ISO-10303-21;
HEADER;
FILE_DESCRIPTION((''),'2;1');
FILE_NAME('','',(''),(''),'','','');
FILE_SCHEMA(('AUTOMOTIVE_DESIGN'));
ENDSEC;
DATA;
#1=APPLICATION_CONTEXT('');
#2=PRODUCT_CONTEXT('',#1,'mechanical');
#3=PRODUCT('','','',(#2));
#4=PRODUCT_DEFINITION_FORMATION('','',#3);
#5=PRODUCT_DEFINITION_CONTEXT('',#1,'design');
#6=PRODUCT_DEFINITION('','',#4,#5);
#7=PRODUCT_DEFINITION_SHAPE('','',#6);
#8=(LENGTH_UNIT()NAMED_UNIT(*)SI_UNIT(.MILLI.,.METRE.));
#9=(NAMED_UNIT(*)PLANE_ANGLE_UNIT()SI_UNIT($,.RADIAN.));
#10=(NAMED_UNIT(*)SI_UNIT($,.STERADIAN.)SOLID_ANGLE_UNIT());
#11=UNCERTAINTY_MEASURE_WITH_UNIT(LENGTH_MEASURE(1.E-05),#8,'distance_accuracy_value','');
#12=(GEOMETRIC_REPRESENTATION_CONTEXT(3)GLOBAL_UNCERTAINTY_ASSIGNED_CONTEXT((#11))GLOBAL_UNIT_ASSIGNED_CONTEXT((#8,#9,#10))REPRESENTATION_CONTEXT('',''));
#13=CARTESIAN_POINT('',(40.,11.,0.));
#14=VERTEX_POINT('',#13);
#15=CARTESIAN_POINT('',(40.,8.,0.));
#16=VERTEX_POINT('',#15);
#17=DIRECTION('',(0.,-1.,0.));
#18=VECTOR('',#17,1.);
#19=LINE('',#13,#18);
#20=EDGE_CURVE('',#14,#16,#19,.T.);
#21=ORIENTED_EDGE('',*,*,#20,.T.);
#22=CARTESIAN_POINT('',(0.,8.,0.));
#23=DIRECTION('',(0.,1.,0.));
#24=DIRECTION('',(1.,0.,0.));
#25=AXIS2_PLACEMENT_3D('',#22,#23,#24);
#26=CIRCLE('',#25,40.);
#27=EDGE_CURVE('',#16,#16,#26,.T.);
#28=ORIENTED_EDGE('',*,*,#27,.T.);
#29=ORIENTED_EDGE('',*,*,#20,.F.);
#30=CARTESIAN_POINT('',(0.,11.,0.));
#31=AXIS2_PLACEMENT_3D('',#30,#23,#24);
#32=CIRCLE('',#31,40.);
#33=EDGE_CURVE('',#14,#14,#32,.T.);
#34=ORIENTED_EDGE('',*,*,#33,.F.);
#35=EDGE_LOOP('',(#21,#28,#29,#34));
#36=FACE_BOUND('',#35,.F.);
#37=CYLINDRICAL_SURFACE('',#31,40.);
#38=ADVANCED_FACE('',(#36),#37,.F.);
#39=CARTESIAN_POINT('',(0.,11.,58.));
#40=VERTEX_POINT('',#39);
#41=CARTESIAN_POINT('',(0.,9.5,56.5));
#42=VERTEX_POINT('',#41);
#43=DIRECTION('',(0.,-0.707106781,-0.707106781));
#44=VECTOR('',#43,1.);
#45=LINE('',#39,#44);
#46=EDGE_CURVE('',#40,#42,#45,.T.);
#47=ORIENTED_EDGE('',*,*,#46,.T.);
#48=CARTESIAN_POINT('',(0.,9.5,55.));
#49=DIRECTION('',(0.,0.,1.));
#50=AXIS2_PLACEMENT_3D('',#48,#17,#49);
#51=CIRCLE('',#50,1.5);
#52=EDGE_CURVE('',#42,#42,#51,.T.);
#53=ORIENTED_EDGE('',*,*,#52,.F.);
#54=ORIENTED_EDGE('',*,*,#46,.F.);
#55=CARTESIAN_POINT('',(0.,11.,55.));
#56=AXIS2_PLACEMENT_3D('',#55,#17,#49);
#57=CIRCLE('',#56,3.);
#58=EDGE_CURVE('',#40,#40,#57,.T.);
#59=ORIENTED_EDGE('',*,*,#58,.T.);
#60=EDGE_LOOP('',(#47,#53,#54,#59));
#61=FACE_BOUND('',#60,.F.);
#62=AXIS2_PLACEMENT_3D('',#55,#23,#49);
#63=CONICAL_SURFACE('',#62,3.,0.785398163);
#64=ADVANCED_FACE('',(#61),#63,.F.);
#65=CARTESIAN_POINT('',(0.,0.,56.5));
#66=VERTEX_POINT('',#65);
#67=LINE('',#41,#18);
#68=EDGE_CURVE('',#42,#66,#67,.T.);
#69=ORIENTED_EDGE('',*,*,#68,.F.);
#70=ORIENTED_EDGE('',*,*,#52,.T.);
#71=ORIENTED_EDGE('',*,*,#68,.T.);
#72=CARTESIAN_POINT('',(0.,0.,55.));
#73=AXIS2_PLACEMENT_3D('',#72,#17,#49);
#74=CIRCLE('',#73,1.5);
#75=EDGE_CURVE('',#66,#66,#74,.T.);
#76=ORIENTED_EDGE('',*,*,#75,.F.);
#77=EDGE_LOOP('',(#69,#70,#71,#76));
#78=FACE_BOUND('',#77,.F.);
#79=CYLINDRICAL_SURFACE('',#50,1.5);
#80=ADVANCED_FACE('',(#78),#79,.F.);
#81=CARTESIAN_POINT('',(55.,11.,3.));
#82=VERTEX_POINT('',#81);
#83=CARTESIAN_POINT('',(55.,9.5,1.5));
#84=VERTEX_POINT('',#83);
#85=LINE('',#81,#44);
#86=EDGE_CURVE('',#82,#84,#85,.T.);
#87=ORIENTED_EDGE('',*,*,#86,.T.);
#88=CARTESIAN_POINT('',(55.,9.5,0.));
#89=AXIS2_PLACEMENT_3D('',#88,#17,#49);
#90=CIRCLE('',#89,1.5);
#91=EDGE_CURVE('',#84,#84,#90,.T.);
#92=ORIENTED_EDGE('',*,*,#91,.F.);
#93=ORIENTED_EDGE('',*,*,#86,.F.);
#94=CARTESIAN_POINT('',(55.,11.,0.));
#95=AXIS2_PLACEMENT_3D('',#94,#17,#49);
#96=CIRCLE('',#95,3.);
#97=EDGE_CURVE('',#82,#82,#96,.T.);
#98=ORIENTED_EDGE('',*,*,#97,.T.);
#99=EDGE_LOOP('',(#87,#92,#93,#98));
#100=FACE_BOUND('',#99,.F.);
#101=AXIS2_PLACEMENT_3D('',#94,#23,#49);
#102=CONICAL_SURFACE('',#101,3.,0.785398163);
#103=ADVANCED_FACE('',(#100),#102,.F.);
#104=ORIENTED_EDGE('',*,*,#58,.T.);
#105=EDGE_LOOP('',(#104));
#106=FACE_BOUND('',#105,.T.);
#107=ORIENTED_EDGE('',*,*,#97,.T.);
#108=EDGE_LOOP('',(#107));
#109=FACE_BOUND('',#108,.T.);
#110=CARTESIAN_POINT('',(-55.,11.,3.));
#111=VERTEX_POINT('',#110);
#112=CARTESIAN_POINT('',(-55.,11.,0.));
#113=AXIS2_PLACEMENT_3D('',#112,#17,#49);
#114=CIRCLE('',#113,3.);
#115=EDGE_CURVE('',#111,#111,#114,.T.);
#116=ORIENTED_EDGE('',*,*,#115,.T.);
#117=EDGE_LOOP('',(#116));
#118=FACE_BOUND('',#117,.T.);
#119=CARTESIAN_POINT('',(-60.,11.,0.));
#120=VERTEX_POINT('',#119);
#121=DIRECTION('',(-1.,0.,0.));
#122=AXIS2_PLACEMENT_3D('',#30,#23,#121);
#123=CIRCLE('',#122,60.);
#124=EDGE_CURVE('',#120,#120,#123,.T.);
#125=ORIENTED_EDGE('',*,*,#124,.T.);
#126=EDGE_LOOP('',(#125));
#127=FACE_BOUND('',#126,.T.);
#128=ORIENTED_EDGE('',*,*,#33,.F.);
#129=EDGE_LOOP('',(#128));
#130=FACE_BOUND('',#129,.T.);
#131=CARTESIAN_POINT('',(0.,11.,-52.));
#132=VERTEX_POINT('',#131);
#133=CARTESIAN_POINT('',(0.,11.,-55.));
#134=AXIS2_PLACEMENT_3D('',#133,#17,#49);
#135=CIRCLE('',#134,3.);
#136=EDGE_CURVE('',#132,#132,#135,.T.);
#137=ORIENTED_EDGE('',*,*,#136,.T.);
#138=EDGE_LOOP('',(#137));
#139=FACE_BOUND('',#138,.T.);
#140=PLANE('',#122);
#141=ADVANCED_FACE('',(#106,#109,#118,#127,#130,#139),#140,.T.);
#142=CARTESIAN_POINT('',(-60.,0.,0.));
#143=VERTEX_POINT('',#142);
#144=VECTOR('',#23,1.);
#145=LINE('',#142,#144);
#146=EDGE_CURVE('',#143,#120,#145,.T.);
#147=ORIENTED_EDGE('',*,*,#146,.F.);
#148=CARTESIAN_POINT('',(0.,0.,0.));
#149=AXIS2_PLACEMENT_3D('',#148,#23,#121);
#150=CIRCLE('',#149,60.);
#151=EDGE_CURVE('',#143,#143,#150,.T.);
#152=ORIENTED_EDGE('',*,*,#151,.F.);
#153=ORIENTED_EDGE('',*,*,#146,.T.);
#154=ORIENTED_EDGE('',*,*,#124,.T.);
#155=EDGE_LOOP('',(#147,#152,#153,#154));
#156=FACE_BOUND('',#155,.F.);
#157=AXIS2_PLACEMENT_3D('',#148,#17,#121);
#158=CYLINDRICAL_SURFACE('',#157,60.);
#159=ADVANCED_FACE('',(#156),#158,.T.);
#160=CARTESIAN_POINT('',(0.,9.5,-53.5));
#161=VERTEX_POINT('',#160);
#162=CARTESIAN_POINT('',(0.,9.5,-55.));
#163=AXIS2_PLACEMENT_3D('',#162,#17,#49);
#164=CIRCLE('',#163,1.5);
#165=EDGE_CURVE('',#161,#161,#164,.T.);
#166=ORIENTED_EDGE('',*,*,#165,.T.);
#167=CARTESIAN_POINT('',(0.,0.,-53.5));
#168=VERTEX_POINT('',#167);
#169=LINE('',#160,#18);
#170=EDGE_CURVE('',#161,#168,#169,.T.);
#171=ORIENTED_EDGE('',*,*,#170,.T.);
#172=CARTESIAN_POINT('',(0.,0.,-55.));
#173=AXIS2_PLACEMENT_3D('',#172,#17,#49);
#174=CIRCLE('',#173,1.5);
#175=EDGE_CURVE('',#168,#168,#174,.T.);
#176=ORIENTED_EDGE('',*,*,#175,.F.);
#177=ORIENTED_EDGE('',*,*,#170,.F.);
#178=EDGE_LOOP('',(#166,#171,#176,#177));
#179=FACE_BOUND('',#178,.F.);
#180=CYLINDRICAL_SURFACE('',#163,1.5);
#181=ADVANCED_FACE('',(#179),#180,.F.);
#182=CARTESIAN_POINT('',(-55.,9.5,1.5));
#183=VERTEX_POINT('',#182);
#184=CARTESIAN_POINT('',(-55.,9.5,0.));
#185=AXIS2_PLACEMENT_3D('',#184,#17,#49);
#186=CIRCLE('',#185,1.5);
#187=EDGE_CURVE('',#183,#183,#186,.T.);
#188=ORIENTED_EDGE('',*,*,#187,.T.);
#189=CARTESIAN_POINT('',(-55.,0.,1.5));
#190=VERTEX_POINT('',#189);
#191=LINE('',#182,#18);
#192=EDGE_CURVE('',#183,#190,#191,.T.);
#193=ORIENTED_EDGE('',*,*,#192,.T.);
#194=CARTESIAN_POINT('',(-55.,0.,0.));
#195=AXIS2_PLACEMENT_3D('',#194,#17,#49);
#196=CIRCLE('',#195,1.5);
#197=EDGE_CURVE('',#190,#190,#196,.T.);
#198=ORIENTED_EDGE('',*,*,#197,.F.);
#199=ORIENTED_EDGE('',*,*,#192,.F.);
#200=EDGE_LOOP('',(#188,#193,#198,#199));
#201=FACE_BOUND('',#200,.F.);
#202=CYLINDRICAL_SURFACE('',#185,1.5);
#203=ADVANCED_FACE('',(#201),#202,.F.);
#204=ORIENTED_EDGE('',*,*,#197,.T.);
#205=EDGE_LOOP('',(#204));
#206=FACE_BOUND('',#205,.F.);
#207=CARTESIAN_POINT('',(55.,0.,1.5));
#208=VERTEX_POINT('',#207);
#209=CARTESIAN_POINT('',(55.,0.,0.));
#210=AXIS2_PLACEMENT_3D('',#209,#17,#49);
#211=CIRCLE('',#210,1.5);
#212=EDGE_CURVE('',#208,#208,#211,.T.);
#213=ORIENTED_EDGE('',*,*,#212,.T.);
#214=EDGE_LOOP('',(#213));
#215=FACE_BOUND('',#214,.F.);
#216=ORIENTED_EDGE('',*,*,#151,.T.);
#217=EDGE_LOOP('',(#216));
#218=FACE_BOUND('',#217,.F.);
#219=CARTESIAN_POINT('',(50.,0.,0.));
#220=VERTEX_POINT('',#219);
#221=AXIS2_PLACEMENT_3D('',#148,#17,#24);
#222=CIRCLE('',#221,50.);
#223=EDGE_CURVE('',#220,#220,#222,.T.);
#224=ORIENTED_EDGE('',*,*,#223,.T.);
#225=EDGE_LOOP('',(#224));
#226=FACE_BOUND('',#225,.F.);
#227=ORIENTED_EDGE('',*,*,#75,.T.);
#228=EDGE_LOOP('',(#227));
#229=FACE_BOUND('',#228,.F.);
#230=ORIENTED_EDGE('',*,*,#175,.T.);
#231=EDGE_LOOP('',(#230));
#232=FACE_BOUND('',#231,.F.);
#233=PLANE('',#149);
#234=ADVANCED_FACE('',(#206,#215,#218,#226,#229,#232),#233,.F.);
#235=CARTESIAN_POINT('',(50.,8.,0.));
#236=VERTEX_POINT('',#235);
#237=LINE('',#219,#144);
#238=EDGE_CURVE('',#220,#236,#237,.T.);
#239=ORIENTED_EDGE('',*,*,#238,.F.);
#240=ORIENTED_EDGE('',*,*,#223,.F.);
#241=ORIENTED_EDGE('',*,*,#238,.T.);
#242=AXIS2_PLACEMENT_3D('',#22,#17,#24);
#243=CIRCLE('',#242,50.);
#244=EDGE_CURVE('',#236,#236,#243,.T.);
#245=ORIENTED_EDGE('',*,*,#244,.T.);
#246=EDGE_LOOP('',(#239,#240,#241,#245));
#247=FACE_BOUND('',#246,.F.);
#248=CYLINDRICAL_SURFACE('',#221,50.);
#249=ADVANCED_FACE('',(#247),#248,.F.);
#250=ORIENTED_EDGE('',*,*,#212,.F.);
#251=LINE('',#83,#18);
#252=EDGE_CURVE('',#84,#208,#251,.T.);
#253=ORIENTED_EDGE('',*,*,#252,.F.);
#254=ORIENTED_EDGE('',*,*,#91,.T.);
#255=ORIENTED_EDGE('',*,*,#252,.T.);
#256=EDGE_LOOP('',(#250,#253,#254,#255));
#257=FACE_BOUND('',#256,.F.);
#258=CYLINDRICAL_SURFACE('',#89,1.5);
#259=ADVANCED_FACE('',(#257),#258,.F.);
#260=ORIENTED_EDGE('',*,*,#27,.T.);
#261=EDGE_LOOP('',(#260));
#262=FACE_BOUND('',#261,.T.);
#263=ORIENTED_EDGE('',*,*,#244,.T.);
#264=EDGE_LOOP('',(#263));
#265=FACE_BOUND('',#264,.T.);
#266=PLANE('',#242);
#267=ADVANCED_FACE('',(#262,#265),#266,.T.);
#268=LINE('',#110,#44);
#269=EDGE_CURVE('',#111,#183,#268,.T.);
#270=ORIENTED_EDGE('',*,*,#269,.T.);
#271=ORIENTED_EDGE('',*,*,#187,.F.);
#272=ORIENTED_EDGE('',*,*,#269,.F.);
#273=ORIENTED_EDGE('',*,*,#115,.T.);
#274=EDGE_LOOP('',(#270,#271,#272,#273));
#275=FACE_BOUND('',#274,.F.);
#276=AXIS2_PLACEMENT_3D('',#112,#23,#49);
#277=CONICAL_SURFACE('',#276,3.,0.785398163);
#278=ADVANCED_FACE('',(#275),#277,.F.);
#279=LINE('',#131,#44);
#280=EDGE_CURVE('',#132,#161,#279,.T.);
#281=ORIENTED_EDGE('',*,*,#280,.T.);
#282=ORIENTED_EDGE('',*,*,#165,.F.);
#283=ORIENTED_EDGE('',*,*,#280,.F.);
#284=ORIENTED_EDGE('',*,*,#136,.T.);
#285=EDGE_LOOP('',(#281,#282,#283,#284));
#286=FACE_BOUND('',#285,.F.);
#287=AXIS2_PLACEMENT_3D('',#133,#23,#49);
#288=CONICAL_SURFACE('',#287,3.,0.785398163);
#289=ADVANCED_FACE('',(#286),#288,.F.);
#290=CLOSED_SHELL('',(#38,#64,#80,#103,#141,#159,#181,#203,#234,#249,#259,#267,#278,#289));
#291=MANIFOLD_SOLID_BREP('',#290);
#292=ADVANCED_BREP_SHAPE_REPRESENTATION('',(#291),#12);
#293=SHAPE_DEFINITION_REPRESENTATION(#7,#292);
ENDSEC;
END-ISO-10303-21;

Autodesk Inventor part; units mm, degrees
ref_plane "YZ Plane" through (0, 0, 0) normal (1, 0, 0) x (0, 1, 0)
ref_plane "XZ Plane" through (0, 0, 0) normal (0, 1, 0) x (-1, 0, 0)
ref_plane "XY Plane" through (0, 0, 0) normal (0, 0, 1) x (1, 0, 0)
sketch "Sketch1" plane through (0, 0, 0) normal (0, 1, 0) x (-1, 0, 0)
  circle A0 centre (0, 0) radius 60
  dimension "d0" = 120
extrude "Extrusion1" add sketch "Sketch1" along normal blind 11
sketch "Sketch3" plane through (0, 11, 0) normal (0, 1, 0) x (1, 0, 0)
  circle A0 centre (0, 0) radius 40
  dimension "d6" = 80
extrude "Extrusion3" cut sketch "Sketch3" against normal through all
sketch "Sketch2" plane through (0, 0, 0) normal (0, -1, 0) x (1, 0, 0)
  circle A0 centre (0, 0) radius 50
  dimension "d3" = 100
extrude "Extrusion2" cut sketch "Sketch2" against normal blind 8
sketch "Sketch4" plane through (0, 11, 0) normal (0, 1, 0) x (1, 0, 0)
  circle A0 centre (0, 0) radius 55
  circle A1 centre (0, 55) radius 1.5
  circle A2 centre (-55, 0) radius 1.5
  circle A3 centre (0, -55) radius 1.5
  circle A4 centre (55, 0) radius 1.5
  dimension "d9" = 110
  dimension "d10" = 3
  dimension "d13" = 360
hole "Hole1" at (0, 11, -55) at (-55, 11, 0) at (0, 11, 55) at (55, 11, 0) direction (0, -1, 0) diameter 3 end through all countersink diameter 6 countersink angle 90
thread "Thread1" size "M3x0.5" class "6H" standard "ANSI Metric M Profile" full length
thread "Thread2" size "M3x0.5" class "6H" standard "ANSI Metric M Profile" full length
thread "Thread3" size "M3x0.5" class "6H" standard "ANSI Metric M Profile" full length
thread "Thread4" size "M3x0.5" class "6H" standard "ANSI Metric M Profile" full length
properties part number "sensor2_lock" material "Aluminum 6061"
